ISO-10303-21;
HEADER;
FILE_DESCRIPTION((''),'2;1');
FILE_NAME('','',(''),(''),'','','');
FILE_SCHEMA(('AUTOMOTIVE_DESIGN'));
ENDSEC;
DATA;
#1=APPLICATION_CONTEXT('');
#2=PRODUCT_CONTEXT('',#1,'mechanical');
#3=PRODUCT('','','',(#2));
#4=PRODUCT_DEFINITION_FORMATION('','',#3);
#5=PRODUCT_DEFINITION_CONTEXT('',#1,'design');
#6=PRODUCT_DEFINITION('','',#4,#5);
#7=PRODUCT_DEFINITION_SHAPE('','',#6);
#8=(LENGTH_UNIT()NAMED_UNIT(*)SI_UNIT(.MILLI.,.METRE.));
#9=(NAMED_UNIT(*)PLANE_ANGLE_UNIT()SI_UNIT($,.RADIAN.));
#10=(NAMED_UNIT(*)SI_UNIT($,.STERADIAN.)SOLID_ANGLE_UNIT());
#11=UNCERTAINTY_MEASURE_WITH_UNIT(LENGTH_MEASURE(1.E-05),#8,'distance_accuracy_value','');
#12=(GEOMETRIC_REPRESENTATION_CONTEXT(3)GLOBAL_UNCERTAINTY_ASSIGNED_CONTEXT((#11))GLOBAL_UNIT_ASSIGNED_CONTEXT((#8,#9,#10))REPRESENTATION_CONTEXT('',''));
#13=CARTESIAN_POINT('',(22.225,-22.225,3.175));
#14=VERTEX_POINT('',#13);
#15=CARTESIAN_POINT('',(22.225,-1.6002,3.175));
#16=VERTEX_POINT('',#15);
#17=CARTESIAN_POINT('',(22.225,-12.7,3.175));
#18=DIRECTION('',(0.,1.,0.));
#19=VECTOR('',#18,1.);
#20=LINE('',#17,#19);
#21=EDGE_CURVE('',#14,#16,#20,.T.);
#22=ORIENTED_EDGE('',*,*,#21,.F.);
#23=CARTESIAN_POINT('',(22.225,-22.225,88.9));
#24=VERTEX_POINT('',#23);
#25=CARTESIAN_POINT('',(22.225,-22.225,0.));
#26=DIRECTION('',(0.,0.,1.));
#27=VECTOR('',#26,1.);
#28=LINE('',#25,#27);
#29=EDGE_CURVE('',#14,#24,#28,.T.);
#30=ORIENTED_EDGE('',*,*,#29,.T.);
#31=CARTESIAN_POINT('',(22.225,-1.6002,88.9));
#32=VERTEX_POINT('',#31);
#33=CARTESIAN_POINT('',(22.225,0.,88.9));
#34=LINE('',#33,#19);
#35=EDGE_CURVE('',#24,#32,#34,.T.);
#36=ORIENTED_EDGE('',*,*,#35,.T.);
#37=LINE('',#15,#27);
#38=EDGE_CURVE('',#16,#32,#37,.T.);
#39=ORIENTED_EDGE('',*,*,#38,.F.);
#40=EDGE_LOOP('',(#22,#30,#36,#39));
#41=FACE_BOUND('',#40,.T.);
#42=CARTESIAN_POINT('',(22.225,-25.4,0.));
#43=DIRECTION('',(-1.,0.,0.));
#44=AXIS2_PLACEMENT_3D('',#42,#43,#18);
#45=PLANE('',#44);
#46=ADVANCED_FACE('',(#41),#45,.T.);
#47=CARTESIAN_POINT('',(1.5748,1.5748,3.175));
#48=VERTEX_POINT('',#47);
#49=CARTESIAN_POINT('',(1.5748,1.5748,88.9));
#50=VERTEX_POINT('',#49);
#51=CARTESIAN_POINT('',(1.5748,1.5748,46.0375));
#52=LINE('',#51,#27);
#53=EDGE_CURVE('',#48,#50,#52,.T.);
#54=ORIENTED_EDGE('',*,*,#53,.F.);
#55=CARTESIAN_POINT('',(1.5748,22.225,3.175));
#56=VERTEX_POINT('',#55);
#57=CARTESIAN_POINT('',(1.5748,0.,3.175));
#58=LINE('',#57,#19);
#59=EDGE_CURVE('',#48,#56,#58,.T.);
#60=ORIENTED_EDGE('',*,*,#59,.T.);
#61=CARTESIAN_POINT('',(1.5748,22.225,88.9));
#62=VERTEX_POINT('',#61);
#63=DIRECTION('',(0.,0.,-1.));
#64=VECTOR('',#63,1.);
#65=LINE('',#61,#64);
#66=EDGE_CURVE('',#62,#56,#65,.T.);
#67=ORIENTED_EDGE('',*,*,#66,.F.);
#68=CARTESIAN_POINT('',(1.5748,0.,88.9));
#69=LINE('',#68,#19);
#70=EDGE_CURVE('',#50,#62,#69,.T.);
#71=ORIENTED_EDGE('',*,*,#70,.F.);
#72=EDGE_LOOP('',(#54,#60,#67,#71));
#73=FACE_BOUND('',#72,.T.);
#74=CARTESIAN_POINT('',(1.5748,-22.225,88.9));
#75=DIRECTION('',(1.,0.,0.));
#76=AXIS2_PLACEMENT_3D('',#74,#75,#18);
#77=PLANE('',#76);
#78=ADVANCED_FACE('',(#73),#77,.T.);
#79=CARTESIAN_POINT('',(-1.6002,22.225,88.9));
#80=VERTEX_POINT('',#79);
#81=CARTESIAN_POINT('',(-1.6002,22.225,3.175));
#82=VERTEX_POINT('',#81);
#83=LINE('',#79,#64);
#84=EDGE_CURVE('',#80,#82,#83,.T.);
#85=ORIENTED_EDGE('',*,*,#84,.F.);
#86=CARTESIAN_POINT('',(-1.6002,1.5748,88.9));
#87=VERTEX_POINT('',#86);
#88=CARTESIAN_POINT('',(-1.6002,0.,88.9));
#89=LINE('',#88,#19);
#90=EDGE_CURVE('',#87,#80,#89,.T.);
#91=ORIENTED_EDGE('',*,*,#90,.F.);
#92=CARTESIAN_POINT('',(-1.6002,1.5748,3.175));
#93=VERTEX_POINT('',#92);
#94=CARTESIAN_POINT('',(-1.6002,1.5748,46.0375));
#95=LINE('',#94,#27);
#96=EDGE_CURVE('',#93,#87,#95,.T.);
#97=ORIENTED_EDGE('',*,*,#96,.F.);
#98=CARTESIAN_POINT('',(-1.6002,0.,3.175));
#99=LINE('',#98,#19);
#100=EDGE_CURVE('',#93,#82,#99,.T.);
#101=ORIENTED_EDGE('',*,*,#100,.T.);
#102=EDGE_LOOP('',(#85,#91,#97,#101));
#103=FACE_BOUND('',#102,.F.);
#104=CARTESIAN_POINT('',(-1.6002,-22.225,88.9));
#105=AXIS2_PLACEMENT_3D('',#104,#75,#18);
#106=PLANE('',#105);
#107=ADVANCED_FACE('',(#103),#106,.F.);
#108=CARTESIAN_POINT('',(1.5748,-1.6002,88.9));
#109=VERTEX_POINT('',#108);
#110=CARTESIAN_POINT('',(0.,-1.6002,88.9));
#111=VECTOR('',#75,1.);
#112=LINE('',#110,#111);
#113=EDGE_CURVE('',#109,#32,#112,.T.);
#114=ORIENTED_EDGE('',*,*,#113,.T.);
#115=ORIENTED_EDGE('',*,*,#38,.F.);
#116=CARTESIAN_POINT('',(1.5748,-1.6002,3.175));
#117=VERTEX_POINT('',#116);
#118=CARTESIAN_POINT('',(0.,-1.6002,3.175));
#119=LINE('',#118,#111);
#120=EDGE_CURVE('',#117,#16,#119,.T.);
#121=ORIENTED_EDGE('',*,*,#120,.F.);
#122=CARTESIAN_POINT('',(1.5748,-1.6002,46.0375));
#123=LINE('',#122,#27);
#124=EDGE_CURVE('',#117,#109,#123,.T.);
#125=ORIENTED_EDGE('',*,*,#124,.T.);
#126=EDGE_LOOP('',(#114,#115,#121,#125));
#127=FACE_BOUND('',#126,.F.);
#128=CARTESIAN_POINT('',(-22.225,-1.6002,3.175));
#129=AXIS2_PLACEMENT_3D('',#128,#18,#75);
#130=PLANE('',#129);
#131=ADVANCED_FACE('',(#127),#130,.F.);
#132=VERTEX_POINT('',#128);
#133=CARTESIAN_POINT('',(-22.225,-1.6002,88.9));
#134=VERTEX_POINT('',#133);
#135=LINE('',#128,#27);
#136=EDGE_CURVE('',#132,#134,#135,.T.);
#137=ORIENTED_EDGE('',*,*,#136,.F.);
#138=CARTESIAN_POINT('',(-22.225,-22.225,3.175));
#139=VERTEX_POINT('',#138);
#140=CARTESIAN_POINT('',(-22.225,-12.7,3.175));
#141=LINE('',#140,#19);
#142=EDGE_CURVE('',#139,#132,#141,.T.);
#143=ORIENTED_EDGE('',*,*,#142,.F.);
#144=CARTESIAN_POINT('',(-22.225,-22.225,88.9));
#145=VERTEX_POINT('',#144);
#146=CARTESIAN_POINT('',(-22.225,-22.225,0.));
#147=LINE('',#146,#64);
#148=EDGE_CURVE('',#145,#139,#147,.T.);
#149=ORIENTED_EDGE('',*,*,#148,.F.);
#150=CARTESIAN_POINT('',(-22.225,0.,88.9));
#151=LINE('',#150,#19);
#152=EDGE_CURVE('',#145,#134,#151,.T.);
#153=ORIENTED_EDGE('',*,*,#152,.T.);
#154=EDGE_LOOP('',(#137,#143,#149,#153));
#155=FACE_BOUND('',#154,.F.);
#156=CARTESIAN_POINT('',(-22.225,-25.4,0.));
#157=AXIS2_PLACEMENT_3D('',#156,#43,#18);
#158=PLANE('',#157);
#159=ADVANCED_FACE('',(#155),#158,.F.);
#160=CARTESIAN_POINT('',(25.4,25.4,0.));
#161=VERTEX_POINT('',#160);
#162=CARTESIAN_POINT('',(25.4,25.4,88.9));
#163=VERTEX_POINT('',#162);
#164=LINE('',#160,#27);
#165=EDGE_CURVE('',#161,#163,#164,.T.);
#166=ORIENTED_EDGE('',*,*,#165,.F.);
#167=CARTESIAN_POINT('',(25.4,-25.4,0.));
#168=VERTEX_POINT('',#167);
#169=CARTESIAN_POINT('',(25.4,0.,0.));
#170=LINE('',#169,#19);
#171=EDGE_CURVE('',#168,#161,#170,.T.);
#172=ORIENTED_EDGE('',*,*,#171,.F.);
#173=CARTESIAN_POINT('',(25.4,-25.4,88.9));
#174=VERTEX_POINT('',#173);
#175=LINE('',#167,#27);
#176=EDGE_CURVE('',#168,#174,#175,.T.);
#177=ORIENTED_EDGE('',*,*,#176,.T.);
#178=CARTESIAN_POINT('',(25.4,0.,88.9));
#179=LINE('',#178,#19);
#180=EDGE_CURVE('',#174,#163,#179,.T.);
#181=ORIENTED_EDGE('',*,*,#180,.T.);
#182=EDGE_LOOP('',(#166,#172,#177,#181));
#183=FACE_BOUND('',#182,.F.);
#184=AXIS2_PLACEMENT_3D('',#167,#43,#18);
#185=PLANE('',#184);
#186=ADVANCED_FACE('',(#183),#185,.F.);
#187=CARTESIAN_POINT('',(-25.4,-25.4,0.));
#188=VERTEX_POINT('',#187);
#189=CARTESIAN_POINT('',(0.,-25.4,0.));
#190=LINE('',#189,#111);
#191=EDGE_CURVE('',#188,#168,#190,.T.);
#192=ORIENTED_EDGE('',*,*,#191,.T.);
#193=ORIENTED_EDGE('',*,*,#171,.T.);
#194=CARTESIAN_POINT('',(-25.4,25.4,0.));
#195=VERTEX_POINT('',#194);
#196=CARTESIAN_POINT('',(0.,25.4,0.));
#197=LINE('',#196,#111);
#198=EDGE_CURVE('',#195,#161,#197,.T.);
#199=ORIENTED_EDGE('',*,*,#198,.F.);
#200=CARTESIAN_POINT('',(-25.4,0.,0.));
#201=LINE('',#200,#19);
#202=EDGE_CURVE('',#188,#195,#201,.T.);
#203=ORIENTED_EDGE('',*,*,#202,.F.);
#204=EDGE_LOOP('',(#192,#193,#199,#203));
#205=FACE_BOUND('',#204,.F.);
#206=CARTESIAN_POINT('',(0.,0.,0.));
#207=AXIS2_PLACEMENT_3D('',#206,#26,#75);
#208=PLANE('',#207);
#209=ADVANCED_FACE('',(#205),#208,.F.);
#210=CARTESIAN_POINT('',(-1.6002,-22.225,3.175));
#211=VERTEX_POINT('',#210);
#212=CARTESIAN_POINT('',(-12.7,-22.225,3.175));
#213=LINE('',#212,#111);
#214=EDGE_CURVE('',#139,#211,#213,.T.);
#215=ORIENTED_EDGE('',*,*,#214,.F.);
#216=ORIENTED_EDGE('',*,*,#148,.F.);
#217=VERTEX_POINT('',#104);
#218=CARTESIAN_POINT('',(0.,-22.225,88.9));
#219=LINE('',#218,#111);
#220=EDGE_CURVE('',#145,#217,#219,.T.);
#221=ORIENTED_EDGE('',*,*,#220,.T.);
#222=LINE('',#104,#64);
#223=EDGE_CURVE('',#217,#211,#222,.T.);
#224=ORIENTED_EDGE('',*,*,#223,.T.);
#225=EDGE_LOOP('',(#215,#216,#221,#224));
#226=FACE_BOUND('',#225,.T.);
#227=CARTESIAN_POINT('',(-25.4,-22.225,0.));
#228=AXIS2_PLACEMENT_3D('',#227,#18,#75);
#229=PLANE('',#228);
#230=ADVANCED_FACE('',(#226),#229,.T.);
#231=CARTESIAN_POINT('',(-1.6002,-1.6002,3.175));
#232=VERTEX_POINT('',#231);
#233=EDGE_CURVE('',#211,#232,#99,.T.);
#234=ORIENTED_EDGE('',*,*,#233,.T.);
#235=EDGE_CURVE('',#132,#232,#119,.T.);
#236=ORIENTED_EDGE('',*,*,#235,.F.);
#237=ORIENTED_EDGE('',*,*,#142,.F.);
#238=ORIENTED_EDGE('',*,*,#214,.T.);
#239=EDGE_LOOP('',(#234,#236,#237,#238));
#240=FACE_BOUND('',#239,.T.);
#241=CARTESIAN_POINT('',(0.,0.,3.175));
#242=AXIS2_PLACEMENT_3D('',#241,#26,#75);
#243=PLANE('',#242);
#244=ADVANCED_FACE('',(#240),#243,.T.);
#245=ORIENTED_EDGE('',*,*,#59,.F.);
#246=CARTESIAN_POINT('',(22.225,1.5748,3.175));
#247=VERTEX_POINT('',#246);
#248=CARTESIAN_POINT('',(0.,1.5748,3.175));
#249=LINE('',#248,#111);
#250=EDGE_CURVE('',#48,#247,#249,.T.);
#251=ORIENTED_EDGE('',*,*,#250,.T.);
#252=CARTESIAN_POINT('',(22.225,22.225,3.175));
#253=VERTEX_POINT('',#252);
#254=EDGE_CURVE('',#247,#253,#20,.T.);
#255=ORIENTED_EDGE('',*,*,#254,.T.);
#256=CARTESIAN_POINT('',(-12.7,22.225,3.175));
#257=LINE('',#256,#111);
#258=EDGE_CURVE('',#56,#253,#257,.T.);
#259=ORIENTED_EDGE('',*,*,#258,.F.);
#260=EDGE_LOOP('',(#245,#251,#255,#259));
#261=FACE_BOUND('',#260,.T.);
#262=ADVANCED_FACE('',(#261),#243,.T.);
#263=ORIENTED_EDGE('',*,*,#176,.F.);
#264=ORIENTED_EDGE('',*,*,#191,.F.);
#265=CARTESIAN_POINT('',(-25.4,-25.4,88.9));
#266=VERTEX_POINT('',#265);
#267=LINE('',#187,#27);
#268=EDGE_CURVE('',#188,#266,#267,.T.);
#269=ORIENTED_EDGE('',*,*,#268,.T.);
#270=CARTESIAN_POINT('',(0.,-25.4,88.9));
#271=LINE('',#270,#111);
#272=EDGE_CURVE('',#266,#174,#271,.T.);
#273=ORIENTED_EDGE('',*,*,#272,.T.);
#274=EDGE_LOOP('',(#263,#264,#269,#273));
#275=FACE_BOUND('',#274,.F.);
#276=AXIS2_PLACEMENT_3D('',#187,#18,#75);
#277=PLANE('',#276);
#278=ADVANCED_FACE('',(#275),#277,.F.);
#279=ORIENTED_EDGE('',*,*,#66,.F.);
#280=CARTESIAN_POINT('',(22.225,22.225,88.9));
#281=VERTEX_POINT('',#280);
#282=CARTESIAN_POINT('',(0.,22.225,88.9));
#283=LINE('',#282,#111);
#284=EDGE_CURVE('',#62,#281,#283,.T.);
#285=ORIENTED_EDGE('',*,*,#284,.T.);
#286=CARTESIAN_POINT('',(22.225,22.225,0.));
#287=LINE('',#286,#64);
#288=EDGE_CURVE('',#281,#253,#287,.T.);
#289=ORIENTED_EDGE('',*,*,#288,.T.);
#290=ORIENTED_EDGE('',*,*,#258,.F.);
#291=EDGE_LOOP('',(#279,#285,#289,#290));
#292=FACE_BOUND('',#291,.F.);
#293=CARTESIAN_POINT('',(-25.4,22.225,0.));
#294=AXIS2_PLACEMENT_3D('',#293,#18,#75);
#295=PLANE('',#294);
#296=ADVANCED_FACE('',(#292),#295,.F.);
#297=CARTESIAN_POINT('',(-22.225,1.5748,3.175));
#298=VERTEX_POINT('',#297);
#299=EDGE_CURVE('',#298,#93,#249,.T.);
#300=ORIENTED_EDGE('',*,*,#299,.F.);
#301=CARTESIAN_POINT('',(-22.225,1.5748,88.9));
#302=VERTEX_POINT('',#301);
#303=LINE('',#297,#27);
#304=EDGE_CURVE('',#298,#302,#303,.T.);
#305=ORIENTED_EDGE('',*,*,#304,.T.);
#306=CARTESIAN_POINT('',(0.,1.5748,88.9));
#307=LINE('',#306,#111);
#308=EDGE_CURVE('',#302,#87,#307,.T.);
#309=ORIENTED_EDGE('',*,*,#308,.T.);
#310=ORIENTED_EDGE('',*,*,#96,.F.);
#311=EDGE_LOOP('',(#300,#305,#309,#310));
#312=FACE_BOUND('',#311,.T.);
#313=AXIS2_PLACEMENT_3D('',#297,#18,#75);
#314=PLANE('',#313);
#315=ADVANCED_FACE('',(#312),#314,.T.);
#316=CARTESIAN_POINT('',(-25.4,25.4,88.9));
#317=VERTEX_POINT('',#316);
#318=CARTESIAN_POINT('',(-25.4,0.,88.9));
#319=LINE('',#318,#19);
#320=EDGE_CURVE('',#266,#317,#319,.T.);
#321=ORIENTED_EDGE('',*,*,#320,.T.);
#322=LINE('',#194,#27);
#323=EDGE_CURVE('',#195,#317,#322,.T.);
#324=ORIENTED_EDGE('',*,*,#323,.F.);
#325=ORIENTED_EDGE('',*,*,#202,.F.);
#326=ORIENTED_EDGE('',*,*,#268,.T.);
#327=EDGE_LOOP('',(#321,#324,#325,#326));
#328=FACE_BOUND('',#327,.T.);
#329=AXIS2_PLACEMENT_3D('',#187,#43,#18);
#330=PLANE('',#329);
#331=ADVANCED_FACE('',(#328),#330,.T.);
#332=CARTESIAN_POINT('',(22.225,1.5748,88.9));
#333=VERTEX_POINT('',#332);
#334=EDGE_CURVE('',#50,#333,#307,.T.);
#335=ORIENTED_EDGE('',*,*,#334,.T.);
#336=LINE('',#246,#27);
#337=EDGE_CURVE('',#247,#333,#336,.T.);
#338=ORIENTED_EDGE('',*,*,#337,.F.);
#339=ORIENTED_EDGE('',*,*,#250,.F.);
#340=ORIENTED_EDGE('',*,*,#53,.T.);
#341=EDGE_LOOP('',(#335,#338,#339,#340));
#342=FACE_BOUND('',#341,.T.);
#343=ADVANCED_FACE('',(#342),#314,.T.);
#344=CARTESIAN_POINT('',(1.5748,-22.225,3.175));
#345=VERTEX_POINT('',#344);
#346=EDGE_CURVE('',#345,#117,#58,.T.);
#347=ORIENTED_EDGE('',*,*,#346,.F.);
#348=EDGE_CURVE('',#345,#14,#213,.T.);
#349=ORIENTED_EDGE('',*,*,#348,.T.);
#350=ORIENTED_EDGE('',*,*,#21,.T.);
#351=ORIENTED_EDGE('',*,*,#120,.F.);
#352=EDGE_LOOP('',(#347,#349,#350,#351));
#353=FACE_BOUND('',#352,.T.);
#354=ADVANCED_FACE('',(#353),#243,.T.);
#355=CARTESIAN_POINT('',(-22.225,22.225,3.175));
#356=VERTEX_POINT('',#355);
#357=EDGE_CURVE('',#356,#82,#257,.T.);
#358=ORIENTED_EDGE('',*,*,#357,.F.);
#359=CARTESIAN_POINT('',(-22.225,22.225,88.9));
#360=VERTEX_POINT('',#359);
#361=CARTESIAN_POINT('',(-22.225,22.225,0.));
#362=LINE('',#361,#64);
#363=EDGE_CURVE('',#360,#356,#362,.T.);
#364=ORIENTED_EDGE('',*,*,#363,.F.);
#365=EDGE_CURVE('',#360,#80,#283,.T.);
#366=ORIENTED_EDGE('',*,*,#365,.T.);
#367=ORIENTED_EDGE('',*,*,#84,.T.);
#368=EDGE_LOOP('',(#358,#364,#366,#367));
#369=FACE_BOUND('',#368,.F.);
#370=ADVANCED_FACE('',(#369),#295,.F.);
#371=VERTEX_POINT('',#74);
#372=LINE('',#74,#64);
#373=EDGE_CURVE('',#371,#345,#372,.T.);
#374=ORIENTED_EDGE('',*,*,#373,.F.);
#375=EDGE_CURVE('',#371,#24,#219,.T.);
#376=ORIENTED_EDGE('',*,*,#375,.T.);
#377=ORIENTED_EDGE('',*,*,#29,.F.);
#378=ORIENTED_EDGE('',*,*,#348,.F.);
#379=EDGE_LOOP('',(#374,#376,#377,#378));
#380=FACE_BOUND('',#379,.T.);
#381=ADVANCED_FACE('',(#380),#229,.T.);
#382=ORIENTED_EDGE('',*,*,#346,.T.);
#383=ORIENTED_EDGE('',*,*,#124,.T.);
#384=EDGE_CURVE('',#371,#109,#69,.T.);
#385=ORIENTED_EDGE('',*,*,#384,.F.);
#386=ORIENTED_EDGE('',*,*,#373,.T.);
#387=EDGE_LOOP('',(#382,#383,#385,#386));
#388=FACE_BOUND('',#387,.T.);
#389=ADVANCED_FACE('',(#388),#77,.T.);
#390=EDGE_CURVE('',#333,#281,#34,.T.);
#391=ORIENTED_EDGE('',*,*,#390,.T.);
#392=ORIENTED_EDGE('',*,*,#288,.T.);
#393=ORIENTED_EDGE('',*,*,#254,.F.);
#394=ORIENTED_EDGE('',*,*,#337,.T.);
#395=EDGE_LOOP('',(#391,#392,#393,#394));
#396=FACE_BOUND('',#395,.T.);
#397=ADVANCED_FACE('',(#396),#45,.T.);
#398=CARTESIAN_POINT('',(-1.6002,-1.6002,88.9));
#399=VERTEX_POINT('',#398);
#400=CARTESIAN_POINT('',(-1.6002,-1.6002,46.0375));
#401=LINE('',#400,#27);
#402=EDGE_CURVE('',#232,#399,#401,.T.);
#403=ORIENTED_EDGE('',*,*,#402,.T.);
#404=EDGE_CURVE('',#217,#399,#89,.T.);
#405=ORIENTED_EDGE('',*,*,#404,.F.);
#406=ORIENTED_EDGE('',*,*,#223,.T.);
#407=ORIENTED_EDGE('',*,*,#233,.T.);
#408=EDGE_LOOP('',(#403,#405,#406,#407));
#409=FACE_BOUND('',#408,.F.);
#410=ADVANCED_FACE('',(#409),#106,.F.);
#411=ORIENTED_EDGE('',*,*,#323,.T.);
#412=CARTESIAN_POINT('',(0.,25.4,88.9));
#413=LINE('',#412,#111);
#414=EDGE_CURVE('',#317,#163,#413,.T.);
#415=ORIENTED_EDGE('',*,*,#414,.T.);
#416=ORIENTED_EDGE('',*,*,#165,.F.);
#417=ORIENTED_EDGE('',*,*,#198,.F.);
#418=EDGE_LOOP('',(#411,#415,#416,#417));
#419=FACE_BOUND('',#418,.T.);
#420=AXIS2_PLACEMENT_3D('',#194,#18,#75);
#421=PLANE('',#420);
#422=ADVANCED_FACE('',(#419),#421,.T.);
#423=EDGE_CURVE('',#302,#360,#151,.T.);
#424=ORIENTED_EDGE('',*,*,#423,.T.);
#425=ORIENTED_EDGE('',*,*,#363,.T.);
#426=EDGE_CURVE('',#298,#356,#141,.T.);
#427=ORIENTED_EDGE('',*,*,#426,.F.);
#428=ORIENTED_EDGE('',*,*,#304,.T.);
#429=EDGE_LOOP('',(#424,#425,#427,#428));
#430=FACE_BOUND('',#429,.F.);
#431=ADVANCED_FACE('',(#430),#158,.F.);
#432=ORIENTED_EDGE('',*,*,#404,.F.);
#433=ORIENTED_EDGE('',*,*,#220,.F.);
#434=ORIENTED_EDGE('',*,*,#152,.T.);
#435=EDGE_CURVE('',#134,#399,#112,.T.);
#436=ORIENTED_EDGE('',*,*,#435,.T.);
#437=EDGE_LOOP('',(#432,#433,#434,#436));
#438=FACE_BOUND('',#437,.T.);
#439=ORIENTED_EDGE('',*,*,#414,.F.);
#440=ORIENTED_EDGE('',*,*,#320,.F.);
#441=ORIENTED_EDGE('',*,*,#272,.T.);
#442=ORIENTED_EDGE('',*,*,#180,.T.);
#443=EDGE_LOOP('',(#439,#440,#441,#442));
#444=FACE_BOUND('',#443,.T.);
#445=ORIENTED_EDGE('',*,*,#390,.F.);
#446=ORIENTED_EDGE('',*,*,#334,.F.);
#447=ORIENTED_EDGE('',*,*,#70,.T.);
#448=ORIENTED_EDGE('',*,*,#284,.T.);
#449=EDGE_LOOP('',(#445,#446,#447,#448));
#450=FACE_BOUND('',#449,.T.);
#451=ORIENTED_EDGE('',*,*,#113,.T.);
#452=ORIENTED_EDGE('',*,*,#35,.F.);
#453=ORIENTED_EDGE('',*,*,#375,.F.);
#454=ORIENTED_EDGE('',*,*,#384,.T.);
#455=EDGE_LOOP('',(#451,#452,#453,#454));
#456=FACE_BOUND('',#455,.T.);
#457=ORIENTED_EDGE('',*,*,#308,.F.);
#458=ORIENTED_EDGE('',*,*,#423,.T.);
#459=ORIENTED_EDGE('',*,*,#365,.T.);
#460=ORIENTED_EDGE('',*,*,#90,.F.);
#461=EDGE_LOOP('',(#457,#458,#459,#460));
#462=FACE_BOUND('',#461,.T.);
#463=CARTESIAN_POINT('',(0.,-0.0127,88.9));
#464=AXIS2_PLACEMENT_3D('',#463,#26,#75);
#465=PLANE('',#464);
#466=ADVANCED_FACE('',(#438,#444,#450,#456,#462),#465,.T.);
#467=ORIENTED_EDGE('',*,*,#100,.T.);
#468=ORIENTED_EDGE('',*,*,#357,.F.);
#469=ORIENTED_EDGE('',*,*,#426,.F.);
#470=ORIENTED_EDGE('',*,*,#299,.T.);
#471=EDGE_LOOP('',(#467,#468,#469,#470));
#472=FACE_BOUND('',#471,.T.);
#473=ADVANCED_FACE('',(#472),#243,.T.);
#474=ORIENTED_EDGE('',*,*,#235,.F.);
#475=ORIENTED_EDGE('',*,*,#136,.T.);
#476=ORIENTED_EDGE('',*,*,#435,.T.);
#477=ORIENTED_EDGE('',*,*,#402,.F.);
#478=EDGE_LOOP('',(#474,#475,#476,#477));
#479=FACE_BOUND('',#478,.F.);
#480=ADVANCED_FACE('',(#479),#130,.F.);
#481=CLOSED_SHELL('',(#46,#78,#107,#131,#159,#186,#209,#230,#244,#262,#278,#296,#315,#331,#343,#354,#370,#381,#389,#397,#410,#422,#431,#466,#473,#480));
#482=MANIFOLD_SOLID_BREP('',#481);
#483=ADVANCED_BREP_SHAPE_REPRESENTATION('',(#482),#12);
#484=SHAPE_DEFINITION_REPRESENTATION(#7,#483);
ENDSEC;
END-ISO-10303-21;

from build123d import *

# Parameters (mm, degrees)
F0_W     = 50.8
F0_H     = 50.8
F1_DEPTH = 88.9
F2_T     = -3.175
F3_W     = 3.175
F3_H     = 44.45
F4_DEPTH = 85.725
F5_W     = 44.45
F5_H     = 3.175
F6_DEPTH = 85.725


with BuildPart() as f1:
    # F0 (on Top) → F1 (new body)
    with BuildSketch(Plane.XY):
        Rectangle(F0_W, F0_H)
    extrude(amount=F1_DEPTH)

    # F2
    f2_openings = [f1.faces().sort_by_distance(p)[0] for p in [
        (0, 0, 88.9),
    ]]
    offset(amount=F2_T, openings=f2_openings)



with BuildPart() as f4:
    # F3 (on face) → F4 (new body)
    with BuildSketch(Plane.XY.offset(88.9)):
        with Locations((-0.0127, 0)):
            Rectangle(F3_W, F3_H)
    extrude(amount=-F4_DEPTH)


with BuildPart() as f1_1:
    add(f1.part)

    add(f4.part)  # F6 merges F4
    # F5 (on face) → F6 (join)
    with BuildSketch(Plane.XY.offset(3.175)):
        with Locations((0, -0.0127)):
            Rectangle(F5_W, F5_H)
    extrude(amount=F6_DEPTH)


solid = f1_1.part
